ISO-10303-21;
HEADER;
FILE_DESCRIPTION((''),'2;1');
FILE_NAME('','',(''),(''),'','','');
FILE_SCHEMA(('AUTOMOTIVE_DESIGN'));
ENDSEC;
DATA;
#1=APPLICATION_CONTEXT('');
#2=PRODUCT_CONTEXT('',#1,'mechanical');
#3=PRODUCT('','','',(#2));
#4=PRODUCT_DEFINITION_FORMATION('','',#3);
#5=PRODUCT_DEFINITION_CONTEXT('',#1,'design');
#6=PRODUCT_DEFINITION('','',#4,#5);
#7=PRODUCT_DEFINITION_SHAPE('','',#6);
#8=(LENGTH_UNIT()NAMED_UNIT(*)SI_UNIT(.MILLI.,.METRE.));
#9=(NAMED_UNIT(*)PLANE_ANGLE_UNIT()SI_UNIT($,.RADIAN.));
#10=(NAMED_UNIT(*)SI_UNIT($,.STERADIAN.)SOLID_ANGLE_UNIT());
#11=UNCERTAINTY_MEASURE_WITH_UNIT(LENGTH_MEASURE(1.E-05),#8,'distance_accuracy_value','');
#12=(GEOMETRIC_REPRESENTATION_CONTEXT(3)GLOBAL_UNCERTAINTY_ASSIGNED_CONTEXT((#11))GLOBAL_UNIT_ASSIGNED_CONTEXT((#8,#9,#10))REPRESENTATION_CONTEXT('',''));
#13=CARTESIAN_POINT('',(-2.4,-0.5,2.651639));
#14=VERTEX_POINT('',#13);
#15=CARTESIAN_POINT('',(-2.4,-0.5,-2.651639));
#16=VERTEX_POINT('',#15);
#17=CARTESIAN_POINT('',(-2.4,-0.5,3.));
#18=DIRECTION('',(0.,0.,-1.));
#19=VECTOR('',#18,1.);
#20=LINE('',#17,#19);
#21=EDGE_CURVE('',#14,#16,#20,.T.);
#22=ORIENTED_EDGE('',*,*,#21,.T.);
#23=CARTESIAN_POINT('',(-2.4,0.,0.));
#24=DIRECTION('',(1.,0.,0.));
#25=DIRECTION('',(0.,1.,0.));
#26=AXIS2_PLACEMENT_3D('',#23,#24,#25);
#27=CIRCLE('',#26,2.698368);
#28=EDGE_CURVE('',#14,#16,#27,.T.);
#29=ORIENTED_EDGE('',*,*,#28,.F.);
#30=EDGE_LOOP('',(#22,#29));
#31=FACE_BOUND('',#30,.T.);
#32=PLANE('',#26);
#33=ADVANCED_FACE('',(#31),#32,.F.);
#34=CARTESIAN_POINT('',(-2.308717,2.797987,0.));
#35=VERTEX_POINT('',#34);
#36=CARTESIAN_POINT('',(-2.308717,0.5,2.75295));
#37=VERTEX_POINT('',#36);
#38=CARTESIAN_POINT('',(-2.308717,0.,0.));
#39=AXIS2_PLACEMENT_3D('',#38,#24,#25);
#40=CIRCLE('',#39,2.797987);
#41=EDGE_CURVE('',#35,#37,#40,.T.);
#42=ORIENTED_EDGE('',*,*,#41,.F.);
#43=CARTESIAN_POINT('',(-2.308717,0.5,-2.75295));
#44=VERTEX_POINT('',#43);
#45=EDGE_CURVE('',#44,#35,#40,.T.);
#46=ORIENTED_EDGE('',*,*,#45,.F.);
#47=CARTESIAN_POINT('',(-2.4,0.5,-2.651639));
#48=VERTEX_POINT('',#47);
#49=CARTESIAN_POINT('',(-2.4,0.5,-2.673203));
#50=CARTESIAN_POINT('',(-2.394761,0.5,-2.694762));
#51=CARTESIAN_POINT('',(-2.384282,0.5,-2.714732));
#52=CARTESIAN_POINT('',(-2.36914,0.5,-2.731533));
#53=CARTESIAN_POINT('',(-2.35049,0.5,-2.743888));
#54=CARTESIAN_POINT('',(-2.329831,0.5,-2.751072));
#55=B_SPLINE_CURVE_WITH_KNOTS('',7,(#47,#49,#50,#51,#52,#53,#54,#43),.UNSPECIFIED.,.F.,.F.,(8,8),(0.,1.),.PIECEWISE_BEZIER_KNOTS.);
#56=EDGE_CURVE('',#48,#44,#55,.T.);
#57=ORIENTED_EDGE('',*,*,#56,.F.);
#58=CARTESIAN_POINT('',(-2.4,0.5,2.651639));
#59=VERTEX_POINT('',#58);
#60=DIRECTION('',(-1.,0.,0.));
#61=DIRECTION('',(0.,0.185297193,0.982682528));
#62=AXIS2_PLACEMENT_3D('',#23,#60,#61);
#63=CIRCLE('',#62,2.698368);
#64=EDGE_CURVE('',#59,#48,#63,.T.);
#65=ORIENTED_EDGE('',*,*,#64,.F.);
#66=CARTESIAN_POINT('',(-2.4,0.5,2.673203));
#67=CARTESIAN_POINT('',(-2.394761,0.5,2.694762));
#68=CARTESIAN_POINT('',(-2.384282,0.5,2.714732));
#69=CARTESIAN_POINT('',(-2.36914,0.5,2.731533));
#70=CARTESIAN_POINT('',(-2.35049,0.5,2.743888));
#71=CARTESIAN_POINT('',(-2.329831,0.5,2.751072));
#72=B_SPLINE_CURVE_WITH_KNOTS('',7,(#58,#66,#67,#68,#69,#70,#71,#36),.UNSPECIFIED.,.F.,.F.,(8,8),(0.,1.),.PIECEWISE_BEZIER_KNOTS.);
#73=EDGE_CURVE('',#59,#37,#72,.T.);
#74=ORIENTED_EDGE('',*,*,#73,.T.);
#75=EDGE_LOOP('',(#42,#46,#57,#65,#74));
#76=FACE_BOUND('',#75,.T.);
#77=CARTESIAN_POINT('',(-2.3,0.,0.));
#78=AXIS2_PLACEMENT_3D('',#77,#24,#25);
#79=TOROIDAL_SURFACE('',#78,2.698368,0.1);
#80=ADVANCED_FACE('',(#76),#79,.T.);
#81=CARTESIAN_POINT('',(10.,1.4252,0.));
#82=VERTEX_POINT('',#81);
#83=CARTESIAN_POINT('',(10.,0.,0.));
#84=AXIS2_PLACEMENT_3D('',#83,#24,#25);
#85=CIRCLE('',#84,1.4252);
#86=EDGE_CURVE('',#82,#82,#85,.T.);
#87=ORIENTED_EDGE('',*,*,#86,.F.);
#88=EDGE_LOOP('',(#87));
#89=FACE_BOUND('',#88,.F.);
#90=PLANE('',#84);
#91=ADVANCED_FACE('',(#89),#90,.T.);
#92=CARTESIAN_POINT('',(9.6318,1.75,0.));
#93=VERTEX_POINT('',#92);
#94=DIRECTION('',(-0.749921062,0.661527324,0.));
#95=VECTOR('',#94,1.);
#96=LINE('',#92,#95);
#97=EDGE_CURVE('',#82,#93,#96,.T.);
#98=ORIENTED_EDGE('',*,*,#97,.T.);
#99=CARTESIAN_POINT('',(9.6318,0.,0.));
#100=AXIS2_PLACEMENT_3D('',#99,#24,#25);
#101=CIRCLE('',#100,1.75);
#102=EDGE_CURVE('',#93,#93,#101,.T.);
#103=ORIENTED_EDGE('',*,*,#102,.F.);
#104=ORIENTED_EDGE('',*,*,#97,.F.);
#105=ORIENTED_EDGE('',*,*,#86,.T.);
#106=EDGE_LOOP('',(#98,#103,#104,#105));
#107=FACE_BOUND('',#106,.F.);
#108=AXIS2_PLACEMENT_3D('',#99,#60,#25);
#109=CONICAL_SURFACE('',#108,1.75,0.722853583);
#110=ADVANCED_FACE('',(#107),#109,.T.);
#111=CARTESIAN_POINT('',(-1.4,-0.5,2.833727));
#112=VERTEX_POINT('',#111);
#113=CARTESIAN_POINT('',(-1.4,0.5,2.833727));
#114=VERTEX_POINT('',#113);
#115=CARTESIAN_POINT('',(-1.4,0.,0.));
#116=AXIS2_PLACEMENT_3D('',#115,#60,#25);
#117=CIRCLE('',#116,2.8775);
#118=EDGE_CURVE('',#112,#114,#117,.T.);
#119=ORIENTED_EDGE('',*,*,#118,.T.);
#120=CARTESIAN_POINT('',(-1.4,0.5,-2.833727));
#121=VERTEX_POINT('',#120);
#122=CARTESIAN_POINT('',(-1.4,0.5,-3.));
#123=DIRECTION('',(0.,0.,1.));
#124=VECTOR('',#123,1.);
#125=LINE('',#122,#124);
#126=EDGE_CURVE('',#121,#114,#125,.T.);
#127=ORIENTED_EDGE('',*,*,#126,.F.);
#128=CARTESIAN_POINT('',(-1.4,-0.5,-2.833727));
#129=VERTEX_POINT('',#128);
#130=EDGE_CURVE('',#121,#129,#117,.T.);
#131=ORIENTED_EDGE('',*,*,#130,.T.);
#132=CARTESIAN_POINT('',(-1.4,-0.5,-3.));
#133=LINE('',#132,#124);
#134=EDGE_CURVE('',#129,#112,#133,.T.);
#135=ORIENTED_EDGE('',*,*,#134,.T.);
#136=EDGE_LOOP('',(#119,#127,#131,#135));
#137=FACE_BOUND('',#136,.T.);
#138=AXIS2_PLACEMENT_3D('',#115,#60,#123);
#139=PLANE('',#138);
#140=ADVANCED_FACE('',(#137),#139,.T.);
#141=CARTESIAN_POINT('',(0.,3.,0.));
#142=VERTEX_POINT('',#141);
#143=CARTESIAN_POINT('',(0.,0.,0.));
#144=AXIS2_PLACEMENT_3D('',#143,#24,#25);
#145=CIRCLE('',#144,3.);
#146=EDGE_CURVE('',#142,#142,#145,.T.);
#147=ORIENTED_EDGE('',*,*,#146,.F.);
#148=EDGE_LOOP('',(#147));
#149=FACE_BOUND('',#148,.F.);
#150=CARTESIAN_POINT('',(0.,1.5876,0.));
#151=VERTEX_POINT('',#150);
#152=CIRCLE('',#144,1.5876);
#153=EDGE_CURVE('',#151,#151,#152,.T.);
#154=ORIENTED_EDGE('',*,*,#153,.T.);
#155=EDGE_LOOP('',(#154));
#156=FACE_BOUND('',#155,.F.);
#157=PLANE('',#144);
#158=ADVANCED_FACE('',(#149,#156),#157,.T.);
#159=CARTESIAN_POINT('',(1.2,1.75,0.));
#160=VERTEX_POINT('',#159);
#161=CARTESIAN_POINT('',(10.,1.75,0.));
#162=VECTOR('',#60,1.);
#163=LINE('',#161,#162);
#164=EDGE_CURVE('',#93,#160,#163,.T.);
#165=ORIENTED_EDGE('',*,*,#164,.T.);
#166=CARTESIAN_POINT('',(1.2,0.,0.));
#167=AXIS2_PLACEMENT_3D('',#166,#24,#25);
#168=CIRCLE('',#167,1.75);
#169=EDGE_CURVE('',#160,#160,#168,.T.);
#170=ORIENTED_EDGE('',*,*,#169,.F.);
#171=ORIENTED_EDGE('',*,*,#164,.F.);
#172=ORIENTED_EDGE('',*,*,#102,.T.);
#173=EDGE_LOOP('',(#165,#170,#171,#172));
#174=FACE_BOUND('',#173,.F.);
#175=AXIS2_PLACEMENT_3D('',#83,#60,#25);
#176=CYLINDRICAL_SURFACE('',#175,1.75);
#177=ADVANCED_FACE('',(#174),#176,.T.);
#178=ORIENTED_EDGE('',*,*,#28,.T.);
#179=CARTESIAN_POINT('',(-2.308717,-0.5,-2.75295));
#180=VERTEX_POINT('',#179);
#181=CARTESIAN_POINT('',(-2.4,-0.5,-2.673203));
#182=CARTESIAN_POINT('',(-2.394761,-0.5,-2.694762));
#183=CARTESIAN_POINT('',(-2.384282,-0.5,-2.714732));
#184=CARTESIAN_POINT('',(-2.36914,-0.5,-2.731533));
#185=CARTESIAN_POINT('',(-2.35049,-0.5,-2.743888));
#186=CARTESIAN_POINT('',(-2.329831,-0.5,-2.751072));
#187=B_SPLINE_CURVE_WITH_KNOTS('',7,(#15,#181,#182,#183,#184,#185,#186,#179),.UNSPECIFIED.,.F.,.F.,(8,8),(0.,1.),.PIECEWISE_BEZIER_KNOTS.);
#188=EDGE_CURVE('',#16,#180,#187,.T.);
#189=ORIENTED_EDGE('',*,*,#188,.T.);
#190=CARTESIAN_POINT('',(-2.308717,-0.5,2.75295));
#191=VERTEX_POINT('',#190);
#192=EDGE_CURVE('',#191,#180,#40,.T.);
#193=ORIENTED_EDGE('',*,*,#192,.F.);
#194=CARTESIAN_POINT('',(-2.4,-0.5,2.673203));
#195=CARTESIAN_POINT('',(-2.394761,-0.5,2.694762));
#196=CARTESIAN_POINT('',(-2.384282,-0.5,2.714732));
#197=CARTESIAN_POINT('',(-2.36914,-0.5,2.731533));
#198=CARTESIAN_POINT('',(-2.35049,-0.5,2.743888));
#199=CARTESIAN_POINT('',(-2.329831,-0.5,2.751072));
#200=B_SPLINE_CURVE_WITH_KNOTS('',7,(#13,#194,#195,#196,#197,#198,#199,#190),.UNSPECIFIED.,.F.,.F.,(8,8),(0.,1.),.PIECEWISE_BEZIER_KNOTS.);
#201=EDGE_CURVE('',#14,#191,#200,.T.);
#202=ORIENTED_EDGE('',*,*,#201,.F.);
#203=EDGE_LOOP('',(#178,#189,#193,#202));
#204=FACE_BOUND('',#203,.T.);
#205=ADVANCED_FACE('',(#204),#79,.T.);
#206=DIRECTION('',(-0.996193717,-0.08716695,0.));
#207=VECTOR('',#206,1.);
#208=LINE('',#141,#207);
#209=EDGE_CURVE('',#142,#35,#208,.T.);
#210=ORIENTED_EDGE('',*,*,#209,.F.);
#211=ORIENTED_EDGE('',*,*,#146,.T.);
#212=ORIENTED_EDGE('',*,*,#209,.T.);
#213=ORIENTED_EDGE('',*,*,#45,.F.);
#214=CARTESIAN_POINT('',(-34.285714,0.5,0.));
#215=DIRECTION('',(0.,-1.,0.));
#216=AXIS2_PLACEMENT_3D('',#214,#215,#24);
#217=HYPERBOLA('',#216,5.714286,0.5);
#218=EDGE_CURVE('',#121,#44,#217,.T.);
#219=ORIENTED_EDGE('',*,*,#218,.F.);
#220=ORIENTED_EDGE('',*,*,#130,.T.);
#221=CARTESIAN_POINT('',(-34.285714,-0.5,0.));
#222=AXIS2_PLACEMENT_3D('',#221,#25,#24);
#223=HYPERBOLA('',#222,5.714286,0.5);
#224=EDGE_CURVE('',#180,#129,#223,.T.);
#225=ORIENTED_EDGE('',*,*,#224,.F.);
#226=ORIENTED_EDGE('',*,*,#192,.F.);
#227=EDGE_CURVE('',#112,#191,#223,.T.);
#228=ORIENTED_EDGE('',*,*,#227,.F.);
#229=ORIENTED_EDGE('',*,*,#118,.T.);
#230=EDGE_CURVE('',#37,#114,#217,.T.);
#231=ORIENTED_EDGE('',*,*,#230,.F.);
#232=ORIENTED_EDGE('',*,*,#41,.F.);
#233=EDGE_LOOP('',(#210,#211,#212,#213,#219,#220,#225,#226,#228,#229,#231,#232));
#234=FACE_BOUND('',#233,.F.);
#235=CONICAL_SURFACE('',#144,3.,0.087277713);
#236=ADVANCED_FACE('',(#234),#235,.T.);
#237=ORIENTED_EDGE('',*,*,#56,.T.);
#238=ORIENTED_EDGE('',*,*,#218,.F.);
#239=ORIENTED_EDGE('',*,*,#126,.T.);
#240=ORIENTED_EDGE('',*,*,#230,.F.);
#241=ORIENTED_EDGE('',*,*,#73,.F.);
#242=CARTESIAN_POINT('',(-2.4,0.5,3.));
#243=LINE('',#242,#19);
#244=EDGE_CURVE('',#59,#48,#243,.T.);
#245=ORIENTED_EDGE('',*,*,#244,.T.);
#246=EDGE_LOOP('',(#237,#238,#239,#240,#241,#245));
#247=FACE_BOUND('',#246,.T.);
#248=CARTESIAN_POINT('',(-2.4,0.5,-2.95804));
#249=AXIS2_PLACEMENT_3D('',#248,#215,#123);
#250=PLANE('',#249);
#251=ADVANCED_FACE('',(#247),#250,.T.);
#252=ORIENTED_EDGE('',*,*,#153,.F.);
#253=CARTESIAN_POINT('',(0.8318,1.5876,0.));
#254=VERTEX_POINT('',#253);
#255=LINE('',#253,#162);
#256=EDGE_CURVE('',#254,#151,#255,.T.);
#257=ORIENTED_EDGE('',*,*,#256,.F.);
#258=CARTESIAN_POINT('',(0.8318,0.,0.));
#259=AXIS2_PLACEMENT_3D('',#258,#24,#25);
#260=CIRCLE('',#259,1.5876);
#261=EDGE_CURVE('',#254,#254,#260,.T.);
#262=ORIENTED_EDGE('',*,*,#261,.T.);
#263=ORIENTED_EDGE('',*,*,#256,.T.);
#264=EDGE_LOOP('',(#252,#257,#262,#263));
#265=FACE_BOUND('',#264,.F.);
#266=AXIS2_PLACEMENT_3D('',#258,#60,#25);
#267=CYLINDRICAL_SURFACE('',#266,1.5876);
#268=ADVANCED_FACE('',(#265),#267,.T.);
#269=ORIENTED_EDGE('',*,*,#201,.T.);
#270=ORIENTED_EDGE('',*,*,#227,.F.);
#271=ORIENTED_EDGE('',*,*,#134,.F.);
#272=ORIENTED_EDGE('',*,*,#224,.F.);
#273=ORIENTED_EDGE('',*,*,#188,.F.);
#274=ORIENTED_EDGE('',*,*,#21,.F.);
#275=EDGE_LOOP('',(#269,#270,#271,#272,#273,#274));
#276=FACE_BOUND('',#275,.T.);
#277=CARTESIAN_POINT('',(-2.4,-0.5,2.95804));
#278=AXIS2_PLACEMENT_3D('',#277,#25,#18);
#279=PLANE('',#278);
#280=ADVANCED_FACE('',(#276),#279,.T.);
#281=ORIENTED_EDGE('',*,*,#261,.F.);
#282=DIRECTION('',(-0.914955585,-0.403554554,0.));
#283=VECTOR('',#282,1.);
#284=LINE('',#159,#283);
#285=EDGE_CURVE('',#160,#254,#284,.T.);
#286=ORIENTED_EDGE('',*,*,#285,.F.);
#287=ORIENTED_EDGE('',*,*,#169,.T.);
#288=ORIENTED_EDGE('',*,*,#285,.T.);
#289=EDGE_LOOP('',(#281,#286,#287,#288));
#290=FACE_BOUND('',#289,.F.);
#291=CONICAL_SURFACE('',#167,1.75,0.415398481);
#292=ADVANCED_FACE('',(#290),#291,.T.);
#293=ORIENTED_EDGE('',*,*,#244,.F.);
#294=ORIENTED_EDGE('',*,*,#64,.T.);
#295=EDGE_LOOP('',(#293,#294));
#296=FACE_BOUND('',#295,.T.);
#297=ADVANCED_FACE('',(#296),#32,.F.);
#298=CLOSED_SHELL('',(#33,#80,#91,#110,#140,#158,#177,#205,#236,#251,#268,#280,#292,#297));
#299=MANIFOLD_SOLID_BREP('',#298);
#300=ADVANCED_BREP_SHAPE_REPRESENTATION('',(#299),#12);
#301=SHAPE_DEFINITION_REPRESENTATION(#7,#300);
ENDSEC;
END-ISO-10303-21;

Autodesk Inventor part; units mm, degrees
ref_plane "YZ Plane" through (0, 0, 0) normal (1, 0, 0) x (0, 1, 0)
ref_plane "XZ Plane" through (0, 0, 0) normal (0, 1, 0) x (-1, 0, 0)
sketch "Эскиз1" plane through (0, 0, 0) normal (0, 0, 1) x (1, 0, 0)
  line L0 (-2.4, 0) -> (10, 0)
  line L1 (10, 0) -> (10, 1.75)
  line L2 (10, 1.75) -> (1.2, 1.75)
  line L3 (1.2, 1.75) -> (0.8318, 1.5876)
  line L4 (0.8318, 1.5876) -> (0, 1.5876)
  line L5 (0, 1.5876) -> (0, 3)
  line L6 (-4.88, 0) -> (12.48, 0) projected
  line L7 (0, -0.6) -> (0, 3.6) projected
  line L8 (-2.4, 0) -> (-2.4, 2.79)
  line L9 (0, 3) -> (-2.4, 2.79)
  line L10 (1.2, 1.75) -> (0, 1.75) construction
  dimension "d0" = 10
  dimension "d1" = 8.8
  dimension "d2" = 0.3682
  dimension "d3" = 2.4
  dimension "d4" = 3.5
  dimension "d5" = 3.1752
  dimension "d9" = 6
  dimension "d10" = 5
revolve "Базовый элемент" add sketch "Эскиз1" angle 360 about axis through (-2.4, 0, 0) along (1, 0, 0)
sketch "Эскиз2" plane through (-2.4, 0, 0) normal (-1, 0, 0) x (0, 0, 1)
  circle A0 centre (0, 0) radius 3 projected
  line L0 (0, 0) -> (0, 2.79) projected
  line L1 (-3, 0.5) -> (3, 0.5)
  line L2 (3, 0.5) -> (3, -0.5)
  line L3 (3, -0.5) -> (-3, -0.5)
  line L4 (-3, -0.5) -> (-3, 0.5)
  line L5 (-3, 0) -> (3, 0) construction
  line L6 (0, 0.5) -> (0, -0.5) construction
  dimension "d11" = 1
  dimension "d12" = 6
fillet "Сопряжение1" radius 0.1 1 edges at (-2.4, -2.79, 0)
extrude "Паз" cut sketch "Эскиз2" against normal blind 1 contours A0 L3 L1 | L2 L3 A0 | A0 L1 L2 | A0 L4 L1 | L3 L4 A0
thread "Резьба" size "M3.5x0.6" class "6g" standard "ISO Metric profile" length 8.8
chamfer "Фаска1" distance 0.3248 distance2 0.3682 1 edges at (10, -1.75, 0) measured on face at (10, 0.4197, 0.5264)
ref_plane "Work Plane1" through (30.1625, 0, 0) normal (0, 0, -1) x (1, 0, 0)
equation "\"d11\" = SBR"
equation "\"d12\" = KOD"
equation "\"d14\" = RR"
equation "\"d19\" = STI"
equation "\"d15\" = GEL"
equation "\"d17\" = -0.5 * SPD + 0.5 * GD"
equation "\"d0\" = NLG"
equation "\"d1\" = GEL"
equation "\"d3\" = KOH"
equation "\"d4\" = GD"
equation "\"d5\" = BDM"
equation "\"d9\" = KOD"
equation "\"d10\" = KEWI"
equation "\"GD\" = 3.5"
equation "\"NLG\" = 10"
equation "\"GEL\" = 8.8"
equation "\"KOD\" = 6"
equation "\"KOH\" = 2.4"
equation "\"GAL\" = 0.61345 * PTC"
equation "\"SPD\" = 2.85048"
equation "\"BDM\" = 3.17524"
equation "\"GUL\" = 0.61345 * PTC"
equation "\"RR\" = 0.1"
equation "\"SBR\" = 1"
equation "\"STI\" = 1"
equation "\"KEWI\" = 5deg"
equation "\"PTC\" = 0.6"
equation "\"THREADDIA\" = 3.5"
equation "\"TOA\" = 30deg"
equation "\"NND\" = 3.5"
equation "\"GD1\" = THREADDIA - 1.2269 * PTC"
properties part number "DIN 84 - M3,5 x 10" material "Сталь, мягкая"
